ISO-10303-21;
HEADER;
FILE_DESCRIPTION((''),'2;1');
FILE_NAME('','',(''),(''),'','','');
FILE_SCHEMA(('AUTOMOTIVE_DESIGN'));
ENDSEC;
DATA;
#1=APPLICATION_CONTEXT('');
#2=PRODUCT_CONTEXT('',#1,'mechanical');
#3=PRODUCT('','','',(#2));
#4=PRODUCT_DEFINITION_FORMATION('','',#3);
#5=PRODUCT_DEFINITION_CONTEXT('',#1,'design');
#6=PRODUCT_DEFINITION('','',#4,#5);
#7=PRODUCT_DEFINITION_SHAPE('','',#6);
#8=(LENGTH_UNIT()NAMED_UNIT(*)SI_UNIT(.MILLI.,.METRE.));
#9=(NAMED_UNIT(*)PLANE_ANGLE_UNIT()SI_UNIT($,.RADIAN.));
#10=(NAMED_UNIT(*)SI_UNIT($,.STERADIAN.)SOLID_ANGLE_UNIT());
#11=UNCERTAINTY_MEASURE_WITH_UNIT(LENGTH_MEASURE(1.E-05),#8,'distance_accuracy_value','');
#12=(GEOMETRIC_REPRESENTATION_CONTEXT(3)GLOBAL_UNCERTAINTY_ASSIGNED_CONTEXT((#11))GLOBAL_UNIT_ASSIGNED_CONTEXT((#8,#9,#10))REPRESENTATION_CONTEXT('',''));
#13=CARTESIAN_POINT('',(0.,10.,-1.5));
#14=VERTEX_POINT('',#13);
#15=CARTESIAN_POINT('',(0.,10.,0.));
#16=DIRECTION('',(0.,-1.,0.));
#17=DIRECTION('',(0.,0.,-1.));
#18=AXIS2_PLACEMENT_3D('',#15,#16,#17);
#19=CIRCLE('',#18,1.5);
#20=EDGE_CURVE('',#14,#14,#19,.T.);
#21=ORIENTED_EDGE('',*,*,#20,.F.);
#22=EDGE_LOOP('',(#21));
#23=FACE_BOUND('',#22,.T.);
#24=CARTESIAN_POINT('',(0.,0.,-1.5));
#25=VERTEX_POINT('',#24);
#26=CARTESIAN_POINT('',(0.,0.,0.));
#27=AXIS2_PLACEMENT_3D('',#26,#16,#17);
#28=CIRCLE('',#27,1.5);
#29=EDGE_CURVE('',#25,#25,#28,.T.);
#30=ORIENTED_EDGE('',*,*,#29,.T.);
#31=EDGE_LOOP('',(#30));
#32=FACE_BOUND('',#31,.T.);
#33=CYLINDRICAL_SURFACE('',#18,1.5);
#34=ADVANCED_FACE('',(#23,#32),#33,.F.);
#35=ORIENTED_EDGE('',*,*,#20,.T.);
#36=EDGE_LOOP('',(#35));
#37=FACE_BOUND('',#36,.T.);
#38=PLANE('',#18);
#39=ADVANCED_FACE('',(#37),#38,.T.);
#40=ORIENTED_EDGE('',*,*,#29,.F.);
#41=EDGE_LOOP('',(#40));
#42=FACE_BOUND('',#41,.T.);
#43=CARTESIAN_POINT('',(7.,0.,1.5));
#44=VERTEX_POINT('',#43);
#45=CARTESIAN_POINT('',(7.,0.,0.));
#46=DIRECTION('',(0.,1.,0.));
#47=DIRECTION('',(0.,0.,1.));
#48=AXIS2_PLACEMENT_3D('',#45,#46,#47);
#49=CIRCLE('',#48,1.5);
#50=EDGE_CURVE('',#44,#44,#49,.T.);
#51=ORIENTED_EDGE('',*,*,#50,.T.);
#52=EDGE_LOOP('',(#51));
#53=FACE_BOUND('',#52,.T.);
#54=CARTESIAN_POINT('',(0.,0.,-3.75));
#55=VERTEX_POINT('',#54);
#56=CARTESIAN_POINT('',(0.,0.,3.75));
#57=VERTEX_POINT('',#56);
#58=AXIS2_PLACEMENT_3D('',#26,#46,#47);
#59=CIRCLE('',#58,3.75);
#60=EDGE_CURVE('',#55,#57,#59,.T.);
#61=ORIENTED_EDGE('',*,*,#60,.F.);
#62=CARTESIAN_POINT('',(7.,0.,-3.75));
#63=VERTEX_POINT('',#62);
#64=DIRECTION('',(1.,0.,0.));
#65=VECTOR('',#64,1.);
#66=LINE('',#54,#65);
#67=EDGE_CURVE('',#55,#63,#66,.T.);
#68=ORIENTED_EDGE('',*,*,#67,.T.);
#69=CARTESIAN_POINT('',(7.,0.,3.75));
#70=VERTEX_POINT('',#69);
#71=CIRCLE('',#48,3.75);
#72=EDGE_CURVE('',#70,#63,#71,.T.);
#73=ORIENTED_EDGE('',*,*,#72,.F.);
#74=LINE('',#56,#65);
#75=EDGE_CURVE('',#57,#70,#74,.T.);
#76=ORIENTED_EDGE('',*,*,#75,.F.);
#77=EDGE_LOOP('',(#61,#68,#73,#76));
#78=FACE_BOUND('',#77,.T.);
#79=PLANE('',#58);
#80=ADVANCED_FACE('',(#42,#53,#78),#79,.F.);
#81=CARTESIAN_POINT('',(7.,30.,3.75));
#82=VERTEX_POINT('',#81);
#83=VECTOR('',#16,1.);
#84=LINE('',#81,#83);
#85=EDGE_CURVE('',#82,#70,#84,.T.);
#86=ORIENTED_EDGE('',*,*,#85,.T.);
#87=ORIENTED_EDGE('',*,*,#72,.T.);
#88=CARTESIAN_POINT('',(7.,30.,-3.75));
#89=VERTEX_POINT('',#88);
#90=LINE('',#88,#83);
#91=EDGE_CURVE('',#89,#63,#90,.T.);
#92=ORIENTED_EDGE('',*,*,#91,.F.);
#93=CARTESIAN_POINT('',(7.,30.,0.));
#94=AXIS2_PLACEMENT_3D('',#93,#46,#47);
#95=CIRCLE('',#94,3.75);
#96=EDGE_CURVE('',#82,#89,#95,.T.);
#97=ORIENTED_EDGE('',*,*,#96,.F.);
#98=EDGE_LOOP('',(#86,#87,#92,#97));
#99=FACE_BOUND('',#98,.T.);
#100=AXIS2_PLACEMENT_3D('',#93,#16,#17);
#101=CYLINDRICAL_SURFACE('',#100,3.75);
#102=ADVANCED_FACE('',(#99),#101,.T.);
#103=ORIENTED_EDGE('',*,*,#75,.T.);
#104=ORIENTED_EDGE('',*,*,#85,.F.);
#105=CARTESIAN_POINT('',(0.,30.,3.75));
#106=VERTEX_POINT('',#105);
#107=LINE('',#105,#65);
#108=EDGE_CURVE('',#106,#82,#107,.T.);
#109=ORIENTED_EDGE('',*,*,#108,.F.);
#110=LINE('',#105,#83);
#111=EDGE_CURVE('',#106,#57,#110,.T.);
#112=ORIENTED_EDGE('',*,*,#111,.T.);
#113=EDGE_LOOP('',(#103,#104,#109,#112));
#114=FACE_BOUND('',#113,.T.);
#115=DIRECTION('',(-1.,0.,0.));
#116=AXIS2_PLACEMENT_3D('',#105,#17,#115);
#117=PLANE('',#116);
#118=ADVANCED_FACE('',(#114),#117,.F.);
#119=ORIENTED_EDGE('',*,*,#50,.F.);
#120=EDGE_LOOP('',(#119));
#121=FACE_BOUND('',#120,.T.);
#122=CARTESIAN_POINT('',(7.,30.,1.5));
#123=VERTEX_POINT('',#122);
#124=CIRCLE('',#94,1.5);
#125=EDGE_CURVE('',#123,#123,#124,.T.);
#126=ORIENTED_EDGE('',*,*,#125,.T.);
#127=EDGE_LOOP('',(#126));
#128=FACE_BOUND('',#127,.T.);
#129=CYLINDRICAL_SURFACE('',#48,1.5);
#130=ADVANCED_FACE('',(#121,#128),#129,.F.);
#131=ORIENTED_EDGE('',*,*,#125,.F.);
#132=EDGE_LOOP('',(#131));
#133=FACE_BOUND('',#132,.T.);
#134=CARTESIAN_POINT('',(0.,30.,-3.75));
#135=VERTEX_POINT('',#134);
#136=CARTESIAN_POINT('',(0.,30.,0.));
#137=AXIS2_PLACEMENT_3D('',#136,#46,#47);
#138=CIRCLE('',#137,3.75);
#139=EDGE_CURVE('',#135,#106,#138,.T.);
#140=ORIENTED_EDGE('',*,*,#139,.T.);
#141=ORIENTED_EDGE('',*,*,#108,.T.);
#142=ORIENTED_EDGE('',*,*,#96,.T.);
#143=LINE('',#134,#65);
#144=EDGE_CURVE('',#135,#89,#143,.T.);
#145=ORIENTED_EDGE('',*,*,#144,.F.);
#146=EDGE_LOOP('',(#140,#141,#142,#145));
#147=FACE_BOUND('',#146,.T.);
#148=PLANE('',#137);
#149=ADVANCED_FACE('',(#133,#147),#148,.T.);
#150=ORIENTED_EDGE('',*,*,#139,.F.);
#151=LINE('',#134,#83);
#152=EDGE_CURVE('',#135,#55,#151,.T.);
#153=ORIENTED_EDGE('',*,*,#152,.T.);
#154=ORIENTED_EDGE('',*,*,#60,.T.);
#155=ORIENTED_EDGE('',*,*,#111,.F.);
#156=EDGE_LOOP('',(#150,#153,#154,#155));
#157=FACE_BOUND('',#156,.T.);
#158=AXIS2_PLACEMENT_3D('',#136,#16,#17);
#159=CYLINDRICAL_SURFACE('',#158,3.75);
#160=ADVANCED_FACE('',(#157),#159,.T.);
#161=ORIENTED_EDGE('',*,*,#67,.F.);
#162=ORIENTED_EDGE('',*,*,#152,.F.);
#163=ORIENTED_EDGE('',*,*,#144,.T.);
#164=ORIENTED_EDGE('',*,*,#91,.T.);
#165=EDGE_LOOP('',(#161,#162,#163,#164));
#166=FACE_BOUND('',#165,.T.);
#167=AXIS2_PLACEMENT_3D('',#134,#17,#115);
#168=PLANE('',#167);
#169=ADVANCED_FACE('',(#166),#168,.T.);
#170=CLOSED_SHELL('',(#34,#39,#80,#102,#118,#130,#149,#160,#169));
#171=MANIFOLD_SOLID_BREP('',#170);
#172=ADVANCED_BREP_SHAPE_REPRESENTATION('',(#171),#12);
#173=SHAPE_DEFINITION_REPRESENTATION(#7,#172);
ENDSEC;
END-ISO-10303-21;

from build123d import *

# Parameters (mm, degrees)
BOSS_EXTRUDE2_DEPTH = 30
SKETCH2_R           = 1.5
CUT_EXTRUDE1_DEPTH  = 30
SKETCH3_R           = 1.5
CUT_EXTRUDE2_DEPTH  = 10


with BuildPart() as part:
    # Sketch1 → Boss-Extrude2 (new body)
    with BuildSketch(Plane(origin=(0, 0, 0), x_dir=(1, 0, 0), z_dir=(0, 1, 0))):
        with BuildLine():
            ThreePointArc((0, 3.75), (-3.75, 0), (0, -3.75))
            Line((0, -3.75), (7, -3.75))
            ThreePointArc((7, -3.75), (10.75, 0), (7, 3.75))
            Line((7, 3.75), (0, 3.75))
        make_face()
    extrude(amount=BOSS_EXTRUDE2_DEPTH)

    # Sketch2 → Cut-Extrude1 (cut)
    with BuildSketch(Plane(origin=(0, 30, 0), x_dir=(1, 0, 0), z_dir=(0, 1, 0))):
        with Locations((7, 0)):
            Circle(SKETCH2_R)
    extrude(amount=-CUT_EXTRUDE1_DEPTH, mode=Mode.SUBTRACT)

    # Sketch3 → Cut-Extrude2 (cut)
    with BuildSketch(Plane.XZ):
        Circle(SKETCH3_R)
    extrude(amount=-CUT_EXTRUDE2_DEPTH, mode=Mode.SUBTRACT)


solid = part.part
